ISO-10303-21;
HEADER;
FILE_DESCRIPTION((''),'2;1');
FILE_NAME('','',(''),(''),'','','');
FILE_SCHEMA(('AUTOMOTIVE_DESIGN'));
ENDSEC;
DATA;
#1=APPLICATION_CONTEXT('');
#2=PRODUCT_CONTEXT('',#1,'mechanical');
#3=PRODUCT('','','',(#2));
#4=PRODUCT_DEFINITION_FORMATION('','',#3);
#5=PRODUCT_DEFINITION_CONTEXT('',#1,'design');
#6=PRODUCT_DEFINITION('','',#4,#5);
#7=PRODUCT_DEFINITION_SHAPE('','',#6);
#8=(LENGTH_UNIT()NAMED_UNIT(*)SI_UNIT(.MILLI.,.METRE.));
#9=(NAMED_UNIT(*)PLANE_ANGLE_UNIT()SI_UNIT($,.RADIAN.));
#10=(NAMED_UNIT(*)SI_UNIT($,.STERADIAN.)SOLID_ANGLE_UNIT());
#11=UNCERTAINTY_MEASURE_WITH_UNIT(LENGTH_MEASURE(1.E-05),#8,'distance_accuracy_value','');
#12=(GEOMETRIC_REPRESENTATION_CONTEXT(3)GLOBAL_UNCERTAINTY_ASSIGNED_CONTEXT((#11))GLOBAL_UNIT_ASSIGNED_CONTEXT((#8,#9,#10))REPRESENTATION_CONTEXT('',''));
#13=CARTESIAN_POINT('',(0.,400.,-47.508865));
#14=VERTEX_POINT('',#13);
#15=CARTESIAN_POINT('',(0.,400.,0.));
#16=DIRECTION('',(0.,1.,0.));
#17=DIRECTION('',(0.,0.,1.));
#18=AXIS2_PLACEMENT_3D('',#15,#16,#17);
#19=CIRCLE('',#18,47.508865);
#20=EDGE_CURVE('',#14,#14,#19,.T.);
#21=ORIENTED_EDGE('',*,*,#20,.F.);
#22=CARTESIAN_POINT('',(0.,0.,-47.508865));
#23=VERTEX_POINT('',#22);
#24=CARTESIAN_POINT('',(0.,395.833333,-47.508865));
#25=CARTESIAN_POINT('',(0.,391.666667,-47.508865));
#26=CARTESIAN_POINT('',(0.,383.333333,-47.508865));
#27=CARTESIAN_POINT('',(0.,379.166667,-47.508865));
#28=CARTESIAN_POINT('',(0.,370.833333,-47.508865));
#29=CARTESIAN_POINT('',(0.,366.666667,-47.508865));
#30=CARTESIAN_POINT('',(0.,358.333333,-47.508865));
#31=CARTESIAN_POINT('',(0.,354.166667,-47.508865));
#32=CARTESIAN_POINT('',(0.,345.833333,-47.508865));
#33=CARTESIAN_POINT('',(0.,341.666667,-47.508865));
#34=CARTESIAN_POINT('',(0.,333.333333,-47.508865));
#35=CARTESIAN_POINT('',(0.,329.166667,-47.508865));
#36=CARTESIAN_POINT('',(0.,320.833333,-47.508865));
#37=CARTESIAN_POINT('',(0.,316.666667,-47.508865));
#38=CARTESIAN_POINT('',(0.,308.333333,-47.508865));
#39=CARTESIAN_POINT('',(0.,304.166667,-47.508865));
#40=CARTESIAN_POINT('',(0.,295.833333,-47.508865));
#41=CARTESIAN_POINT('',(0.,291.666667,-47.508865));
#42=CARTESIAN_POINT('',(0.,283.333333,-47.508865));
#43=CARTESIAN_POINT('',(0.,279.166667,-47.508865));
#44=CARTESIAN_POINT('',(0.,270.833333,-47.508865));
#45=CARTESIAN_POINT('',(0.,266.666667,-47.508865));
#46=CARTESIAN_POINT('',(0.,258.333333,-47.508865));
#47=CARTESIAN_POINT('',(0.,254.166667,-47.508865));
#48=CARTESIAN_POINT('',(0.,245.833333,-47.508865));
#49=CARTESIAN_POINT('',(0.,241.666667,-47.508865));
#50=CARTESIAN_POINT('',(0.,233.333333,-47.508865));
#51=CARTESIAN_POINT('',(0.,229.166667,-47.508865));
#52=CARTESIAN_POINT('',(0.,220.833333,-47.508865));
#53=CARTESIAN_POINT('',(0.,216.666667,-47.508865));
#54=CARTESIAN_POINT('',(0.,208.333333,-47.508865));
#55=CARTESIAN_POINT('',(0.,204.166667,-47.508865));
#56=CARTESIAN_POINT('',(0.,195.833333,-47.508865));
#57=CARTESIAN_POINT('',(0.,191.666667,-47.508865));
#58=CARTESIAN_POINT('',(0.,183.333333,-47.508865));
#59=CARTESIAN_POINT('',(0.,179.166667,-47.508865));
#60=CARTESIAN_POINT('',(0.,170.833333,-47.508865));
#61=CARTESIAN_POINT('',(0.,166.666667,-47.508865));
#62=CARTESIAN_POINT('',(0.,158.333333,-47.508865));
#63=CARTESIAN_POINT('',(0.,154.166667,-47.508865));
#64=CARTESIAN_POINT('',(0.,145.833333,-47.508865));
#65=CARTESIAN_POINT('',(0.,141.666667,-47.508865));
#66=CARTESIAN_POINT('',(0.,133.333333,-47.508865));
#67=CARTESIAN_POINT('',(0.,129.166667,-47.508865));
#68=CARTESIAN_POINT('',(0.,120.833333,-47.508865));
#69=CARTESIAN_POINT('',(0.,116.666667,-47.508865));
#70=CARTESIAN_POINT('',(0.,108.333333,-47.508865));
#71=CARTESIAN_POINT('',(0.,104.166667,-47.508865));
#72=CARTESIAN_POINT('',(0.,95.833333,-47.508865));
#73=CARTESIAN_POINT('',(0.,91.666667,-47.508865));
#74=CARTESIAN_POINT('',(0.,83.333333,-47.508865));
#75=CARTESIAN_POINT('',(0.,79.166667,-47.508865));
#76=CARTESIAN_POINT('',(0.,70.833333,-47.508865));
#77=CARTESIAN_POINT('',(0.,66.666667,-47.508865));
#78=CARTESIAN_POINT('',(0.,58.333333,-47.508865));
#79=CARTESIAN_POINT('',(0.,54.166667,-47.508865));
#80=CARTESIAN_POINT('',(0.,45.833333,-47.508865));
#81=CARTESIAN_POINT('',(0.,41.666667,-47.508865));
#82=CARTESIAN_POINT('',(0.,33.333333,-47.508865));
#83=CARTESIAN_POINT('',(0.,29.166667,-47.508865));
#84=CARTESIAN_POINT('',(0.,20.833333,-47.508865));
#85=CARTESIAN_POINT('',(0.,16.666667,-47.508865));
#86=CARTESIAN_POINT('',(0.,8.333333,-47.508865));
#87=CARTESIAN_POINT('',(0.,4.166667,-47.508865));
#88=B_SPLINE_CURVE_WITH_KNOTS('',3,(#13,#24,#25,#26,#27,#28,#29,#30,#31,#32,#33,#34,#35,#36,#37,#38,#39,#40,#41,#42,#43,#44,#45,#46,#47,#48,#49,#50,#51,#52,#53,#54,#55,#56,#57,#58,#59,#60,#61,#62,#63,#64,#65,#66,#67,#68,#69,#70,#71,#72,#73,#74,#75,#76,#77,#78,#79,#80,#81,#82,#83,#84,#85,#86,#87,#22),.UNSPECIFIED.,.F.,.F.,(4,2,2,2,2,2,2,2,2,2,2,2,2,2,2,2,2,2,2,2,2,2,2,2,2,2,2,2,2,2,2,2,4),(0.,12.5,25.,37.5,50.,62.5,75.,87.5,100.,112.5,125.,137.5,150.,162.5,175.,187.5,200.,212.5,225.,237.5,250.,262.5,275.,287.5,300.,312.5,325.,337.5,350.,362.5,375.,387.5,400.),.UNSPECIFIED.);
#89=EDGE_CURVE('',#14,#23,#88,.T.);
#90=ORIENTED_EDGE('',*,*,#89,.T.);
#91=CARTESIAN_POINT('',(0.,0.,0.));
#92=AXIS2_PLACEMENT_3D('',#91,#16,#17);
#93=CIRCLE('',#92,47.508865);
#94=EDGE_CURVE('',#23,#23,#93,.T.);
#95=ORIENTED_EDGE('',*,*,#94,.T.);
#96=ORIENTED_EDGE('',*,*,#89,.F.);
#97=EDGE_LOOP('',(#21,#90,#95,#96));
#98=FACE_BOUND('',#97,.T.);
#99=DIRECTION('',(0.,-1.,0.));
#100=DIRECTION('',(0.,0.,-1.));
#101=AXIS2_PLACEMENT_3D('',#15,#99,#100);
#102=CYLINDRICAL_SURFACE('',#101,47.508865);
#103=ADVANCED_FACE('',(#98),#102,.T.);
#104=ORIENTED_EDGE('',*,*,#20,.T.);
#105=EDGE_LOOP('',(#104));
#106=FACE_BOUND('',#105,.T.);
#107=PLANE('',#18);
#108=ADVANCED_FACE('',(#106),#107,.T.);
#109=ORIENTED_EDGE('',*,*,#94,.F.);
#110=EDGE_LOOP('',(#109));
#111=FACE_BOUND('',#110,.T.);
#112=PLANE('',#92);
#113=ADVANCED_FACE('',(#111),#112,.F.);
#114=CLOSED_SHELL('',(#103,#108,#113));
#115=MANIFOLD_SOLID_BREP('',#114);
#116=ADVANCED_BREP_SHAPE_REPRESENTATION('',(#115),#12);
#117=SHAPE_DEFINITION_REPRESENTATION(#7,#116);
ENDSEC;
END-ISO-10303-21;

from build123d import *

# Parameters (mm, degrees)
SKETCH1_R           = 47.508864924
BOSS_EXTRUDE1_DEPTH = 400


with BuildPart() as part:
    # Sketch1 → Boss-Extrude1 (new body)
    with BuildSketch(Plane(origin=(0, 0, 0), x_dir=(1, 0, 0), z_dir=(0, 1, 0))):
        with Locations(Location((0, 0, 0), (0, 0, 90))):
            Circle(SKETCH1_R)
    extrude(amount=BOSS_EXTRUDE1_DEPTH)


solid = part.part
